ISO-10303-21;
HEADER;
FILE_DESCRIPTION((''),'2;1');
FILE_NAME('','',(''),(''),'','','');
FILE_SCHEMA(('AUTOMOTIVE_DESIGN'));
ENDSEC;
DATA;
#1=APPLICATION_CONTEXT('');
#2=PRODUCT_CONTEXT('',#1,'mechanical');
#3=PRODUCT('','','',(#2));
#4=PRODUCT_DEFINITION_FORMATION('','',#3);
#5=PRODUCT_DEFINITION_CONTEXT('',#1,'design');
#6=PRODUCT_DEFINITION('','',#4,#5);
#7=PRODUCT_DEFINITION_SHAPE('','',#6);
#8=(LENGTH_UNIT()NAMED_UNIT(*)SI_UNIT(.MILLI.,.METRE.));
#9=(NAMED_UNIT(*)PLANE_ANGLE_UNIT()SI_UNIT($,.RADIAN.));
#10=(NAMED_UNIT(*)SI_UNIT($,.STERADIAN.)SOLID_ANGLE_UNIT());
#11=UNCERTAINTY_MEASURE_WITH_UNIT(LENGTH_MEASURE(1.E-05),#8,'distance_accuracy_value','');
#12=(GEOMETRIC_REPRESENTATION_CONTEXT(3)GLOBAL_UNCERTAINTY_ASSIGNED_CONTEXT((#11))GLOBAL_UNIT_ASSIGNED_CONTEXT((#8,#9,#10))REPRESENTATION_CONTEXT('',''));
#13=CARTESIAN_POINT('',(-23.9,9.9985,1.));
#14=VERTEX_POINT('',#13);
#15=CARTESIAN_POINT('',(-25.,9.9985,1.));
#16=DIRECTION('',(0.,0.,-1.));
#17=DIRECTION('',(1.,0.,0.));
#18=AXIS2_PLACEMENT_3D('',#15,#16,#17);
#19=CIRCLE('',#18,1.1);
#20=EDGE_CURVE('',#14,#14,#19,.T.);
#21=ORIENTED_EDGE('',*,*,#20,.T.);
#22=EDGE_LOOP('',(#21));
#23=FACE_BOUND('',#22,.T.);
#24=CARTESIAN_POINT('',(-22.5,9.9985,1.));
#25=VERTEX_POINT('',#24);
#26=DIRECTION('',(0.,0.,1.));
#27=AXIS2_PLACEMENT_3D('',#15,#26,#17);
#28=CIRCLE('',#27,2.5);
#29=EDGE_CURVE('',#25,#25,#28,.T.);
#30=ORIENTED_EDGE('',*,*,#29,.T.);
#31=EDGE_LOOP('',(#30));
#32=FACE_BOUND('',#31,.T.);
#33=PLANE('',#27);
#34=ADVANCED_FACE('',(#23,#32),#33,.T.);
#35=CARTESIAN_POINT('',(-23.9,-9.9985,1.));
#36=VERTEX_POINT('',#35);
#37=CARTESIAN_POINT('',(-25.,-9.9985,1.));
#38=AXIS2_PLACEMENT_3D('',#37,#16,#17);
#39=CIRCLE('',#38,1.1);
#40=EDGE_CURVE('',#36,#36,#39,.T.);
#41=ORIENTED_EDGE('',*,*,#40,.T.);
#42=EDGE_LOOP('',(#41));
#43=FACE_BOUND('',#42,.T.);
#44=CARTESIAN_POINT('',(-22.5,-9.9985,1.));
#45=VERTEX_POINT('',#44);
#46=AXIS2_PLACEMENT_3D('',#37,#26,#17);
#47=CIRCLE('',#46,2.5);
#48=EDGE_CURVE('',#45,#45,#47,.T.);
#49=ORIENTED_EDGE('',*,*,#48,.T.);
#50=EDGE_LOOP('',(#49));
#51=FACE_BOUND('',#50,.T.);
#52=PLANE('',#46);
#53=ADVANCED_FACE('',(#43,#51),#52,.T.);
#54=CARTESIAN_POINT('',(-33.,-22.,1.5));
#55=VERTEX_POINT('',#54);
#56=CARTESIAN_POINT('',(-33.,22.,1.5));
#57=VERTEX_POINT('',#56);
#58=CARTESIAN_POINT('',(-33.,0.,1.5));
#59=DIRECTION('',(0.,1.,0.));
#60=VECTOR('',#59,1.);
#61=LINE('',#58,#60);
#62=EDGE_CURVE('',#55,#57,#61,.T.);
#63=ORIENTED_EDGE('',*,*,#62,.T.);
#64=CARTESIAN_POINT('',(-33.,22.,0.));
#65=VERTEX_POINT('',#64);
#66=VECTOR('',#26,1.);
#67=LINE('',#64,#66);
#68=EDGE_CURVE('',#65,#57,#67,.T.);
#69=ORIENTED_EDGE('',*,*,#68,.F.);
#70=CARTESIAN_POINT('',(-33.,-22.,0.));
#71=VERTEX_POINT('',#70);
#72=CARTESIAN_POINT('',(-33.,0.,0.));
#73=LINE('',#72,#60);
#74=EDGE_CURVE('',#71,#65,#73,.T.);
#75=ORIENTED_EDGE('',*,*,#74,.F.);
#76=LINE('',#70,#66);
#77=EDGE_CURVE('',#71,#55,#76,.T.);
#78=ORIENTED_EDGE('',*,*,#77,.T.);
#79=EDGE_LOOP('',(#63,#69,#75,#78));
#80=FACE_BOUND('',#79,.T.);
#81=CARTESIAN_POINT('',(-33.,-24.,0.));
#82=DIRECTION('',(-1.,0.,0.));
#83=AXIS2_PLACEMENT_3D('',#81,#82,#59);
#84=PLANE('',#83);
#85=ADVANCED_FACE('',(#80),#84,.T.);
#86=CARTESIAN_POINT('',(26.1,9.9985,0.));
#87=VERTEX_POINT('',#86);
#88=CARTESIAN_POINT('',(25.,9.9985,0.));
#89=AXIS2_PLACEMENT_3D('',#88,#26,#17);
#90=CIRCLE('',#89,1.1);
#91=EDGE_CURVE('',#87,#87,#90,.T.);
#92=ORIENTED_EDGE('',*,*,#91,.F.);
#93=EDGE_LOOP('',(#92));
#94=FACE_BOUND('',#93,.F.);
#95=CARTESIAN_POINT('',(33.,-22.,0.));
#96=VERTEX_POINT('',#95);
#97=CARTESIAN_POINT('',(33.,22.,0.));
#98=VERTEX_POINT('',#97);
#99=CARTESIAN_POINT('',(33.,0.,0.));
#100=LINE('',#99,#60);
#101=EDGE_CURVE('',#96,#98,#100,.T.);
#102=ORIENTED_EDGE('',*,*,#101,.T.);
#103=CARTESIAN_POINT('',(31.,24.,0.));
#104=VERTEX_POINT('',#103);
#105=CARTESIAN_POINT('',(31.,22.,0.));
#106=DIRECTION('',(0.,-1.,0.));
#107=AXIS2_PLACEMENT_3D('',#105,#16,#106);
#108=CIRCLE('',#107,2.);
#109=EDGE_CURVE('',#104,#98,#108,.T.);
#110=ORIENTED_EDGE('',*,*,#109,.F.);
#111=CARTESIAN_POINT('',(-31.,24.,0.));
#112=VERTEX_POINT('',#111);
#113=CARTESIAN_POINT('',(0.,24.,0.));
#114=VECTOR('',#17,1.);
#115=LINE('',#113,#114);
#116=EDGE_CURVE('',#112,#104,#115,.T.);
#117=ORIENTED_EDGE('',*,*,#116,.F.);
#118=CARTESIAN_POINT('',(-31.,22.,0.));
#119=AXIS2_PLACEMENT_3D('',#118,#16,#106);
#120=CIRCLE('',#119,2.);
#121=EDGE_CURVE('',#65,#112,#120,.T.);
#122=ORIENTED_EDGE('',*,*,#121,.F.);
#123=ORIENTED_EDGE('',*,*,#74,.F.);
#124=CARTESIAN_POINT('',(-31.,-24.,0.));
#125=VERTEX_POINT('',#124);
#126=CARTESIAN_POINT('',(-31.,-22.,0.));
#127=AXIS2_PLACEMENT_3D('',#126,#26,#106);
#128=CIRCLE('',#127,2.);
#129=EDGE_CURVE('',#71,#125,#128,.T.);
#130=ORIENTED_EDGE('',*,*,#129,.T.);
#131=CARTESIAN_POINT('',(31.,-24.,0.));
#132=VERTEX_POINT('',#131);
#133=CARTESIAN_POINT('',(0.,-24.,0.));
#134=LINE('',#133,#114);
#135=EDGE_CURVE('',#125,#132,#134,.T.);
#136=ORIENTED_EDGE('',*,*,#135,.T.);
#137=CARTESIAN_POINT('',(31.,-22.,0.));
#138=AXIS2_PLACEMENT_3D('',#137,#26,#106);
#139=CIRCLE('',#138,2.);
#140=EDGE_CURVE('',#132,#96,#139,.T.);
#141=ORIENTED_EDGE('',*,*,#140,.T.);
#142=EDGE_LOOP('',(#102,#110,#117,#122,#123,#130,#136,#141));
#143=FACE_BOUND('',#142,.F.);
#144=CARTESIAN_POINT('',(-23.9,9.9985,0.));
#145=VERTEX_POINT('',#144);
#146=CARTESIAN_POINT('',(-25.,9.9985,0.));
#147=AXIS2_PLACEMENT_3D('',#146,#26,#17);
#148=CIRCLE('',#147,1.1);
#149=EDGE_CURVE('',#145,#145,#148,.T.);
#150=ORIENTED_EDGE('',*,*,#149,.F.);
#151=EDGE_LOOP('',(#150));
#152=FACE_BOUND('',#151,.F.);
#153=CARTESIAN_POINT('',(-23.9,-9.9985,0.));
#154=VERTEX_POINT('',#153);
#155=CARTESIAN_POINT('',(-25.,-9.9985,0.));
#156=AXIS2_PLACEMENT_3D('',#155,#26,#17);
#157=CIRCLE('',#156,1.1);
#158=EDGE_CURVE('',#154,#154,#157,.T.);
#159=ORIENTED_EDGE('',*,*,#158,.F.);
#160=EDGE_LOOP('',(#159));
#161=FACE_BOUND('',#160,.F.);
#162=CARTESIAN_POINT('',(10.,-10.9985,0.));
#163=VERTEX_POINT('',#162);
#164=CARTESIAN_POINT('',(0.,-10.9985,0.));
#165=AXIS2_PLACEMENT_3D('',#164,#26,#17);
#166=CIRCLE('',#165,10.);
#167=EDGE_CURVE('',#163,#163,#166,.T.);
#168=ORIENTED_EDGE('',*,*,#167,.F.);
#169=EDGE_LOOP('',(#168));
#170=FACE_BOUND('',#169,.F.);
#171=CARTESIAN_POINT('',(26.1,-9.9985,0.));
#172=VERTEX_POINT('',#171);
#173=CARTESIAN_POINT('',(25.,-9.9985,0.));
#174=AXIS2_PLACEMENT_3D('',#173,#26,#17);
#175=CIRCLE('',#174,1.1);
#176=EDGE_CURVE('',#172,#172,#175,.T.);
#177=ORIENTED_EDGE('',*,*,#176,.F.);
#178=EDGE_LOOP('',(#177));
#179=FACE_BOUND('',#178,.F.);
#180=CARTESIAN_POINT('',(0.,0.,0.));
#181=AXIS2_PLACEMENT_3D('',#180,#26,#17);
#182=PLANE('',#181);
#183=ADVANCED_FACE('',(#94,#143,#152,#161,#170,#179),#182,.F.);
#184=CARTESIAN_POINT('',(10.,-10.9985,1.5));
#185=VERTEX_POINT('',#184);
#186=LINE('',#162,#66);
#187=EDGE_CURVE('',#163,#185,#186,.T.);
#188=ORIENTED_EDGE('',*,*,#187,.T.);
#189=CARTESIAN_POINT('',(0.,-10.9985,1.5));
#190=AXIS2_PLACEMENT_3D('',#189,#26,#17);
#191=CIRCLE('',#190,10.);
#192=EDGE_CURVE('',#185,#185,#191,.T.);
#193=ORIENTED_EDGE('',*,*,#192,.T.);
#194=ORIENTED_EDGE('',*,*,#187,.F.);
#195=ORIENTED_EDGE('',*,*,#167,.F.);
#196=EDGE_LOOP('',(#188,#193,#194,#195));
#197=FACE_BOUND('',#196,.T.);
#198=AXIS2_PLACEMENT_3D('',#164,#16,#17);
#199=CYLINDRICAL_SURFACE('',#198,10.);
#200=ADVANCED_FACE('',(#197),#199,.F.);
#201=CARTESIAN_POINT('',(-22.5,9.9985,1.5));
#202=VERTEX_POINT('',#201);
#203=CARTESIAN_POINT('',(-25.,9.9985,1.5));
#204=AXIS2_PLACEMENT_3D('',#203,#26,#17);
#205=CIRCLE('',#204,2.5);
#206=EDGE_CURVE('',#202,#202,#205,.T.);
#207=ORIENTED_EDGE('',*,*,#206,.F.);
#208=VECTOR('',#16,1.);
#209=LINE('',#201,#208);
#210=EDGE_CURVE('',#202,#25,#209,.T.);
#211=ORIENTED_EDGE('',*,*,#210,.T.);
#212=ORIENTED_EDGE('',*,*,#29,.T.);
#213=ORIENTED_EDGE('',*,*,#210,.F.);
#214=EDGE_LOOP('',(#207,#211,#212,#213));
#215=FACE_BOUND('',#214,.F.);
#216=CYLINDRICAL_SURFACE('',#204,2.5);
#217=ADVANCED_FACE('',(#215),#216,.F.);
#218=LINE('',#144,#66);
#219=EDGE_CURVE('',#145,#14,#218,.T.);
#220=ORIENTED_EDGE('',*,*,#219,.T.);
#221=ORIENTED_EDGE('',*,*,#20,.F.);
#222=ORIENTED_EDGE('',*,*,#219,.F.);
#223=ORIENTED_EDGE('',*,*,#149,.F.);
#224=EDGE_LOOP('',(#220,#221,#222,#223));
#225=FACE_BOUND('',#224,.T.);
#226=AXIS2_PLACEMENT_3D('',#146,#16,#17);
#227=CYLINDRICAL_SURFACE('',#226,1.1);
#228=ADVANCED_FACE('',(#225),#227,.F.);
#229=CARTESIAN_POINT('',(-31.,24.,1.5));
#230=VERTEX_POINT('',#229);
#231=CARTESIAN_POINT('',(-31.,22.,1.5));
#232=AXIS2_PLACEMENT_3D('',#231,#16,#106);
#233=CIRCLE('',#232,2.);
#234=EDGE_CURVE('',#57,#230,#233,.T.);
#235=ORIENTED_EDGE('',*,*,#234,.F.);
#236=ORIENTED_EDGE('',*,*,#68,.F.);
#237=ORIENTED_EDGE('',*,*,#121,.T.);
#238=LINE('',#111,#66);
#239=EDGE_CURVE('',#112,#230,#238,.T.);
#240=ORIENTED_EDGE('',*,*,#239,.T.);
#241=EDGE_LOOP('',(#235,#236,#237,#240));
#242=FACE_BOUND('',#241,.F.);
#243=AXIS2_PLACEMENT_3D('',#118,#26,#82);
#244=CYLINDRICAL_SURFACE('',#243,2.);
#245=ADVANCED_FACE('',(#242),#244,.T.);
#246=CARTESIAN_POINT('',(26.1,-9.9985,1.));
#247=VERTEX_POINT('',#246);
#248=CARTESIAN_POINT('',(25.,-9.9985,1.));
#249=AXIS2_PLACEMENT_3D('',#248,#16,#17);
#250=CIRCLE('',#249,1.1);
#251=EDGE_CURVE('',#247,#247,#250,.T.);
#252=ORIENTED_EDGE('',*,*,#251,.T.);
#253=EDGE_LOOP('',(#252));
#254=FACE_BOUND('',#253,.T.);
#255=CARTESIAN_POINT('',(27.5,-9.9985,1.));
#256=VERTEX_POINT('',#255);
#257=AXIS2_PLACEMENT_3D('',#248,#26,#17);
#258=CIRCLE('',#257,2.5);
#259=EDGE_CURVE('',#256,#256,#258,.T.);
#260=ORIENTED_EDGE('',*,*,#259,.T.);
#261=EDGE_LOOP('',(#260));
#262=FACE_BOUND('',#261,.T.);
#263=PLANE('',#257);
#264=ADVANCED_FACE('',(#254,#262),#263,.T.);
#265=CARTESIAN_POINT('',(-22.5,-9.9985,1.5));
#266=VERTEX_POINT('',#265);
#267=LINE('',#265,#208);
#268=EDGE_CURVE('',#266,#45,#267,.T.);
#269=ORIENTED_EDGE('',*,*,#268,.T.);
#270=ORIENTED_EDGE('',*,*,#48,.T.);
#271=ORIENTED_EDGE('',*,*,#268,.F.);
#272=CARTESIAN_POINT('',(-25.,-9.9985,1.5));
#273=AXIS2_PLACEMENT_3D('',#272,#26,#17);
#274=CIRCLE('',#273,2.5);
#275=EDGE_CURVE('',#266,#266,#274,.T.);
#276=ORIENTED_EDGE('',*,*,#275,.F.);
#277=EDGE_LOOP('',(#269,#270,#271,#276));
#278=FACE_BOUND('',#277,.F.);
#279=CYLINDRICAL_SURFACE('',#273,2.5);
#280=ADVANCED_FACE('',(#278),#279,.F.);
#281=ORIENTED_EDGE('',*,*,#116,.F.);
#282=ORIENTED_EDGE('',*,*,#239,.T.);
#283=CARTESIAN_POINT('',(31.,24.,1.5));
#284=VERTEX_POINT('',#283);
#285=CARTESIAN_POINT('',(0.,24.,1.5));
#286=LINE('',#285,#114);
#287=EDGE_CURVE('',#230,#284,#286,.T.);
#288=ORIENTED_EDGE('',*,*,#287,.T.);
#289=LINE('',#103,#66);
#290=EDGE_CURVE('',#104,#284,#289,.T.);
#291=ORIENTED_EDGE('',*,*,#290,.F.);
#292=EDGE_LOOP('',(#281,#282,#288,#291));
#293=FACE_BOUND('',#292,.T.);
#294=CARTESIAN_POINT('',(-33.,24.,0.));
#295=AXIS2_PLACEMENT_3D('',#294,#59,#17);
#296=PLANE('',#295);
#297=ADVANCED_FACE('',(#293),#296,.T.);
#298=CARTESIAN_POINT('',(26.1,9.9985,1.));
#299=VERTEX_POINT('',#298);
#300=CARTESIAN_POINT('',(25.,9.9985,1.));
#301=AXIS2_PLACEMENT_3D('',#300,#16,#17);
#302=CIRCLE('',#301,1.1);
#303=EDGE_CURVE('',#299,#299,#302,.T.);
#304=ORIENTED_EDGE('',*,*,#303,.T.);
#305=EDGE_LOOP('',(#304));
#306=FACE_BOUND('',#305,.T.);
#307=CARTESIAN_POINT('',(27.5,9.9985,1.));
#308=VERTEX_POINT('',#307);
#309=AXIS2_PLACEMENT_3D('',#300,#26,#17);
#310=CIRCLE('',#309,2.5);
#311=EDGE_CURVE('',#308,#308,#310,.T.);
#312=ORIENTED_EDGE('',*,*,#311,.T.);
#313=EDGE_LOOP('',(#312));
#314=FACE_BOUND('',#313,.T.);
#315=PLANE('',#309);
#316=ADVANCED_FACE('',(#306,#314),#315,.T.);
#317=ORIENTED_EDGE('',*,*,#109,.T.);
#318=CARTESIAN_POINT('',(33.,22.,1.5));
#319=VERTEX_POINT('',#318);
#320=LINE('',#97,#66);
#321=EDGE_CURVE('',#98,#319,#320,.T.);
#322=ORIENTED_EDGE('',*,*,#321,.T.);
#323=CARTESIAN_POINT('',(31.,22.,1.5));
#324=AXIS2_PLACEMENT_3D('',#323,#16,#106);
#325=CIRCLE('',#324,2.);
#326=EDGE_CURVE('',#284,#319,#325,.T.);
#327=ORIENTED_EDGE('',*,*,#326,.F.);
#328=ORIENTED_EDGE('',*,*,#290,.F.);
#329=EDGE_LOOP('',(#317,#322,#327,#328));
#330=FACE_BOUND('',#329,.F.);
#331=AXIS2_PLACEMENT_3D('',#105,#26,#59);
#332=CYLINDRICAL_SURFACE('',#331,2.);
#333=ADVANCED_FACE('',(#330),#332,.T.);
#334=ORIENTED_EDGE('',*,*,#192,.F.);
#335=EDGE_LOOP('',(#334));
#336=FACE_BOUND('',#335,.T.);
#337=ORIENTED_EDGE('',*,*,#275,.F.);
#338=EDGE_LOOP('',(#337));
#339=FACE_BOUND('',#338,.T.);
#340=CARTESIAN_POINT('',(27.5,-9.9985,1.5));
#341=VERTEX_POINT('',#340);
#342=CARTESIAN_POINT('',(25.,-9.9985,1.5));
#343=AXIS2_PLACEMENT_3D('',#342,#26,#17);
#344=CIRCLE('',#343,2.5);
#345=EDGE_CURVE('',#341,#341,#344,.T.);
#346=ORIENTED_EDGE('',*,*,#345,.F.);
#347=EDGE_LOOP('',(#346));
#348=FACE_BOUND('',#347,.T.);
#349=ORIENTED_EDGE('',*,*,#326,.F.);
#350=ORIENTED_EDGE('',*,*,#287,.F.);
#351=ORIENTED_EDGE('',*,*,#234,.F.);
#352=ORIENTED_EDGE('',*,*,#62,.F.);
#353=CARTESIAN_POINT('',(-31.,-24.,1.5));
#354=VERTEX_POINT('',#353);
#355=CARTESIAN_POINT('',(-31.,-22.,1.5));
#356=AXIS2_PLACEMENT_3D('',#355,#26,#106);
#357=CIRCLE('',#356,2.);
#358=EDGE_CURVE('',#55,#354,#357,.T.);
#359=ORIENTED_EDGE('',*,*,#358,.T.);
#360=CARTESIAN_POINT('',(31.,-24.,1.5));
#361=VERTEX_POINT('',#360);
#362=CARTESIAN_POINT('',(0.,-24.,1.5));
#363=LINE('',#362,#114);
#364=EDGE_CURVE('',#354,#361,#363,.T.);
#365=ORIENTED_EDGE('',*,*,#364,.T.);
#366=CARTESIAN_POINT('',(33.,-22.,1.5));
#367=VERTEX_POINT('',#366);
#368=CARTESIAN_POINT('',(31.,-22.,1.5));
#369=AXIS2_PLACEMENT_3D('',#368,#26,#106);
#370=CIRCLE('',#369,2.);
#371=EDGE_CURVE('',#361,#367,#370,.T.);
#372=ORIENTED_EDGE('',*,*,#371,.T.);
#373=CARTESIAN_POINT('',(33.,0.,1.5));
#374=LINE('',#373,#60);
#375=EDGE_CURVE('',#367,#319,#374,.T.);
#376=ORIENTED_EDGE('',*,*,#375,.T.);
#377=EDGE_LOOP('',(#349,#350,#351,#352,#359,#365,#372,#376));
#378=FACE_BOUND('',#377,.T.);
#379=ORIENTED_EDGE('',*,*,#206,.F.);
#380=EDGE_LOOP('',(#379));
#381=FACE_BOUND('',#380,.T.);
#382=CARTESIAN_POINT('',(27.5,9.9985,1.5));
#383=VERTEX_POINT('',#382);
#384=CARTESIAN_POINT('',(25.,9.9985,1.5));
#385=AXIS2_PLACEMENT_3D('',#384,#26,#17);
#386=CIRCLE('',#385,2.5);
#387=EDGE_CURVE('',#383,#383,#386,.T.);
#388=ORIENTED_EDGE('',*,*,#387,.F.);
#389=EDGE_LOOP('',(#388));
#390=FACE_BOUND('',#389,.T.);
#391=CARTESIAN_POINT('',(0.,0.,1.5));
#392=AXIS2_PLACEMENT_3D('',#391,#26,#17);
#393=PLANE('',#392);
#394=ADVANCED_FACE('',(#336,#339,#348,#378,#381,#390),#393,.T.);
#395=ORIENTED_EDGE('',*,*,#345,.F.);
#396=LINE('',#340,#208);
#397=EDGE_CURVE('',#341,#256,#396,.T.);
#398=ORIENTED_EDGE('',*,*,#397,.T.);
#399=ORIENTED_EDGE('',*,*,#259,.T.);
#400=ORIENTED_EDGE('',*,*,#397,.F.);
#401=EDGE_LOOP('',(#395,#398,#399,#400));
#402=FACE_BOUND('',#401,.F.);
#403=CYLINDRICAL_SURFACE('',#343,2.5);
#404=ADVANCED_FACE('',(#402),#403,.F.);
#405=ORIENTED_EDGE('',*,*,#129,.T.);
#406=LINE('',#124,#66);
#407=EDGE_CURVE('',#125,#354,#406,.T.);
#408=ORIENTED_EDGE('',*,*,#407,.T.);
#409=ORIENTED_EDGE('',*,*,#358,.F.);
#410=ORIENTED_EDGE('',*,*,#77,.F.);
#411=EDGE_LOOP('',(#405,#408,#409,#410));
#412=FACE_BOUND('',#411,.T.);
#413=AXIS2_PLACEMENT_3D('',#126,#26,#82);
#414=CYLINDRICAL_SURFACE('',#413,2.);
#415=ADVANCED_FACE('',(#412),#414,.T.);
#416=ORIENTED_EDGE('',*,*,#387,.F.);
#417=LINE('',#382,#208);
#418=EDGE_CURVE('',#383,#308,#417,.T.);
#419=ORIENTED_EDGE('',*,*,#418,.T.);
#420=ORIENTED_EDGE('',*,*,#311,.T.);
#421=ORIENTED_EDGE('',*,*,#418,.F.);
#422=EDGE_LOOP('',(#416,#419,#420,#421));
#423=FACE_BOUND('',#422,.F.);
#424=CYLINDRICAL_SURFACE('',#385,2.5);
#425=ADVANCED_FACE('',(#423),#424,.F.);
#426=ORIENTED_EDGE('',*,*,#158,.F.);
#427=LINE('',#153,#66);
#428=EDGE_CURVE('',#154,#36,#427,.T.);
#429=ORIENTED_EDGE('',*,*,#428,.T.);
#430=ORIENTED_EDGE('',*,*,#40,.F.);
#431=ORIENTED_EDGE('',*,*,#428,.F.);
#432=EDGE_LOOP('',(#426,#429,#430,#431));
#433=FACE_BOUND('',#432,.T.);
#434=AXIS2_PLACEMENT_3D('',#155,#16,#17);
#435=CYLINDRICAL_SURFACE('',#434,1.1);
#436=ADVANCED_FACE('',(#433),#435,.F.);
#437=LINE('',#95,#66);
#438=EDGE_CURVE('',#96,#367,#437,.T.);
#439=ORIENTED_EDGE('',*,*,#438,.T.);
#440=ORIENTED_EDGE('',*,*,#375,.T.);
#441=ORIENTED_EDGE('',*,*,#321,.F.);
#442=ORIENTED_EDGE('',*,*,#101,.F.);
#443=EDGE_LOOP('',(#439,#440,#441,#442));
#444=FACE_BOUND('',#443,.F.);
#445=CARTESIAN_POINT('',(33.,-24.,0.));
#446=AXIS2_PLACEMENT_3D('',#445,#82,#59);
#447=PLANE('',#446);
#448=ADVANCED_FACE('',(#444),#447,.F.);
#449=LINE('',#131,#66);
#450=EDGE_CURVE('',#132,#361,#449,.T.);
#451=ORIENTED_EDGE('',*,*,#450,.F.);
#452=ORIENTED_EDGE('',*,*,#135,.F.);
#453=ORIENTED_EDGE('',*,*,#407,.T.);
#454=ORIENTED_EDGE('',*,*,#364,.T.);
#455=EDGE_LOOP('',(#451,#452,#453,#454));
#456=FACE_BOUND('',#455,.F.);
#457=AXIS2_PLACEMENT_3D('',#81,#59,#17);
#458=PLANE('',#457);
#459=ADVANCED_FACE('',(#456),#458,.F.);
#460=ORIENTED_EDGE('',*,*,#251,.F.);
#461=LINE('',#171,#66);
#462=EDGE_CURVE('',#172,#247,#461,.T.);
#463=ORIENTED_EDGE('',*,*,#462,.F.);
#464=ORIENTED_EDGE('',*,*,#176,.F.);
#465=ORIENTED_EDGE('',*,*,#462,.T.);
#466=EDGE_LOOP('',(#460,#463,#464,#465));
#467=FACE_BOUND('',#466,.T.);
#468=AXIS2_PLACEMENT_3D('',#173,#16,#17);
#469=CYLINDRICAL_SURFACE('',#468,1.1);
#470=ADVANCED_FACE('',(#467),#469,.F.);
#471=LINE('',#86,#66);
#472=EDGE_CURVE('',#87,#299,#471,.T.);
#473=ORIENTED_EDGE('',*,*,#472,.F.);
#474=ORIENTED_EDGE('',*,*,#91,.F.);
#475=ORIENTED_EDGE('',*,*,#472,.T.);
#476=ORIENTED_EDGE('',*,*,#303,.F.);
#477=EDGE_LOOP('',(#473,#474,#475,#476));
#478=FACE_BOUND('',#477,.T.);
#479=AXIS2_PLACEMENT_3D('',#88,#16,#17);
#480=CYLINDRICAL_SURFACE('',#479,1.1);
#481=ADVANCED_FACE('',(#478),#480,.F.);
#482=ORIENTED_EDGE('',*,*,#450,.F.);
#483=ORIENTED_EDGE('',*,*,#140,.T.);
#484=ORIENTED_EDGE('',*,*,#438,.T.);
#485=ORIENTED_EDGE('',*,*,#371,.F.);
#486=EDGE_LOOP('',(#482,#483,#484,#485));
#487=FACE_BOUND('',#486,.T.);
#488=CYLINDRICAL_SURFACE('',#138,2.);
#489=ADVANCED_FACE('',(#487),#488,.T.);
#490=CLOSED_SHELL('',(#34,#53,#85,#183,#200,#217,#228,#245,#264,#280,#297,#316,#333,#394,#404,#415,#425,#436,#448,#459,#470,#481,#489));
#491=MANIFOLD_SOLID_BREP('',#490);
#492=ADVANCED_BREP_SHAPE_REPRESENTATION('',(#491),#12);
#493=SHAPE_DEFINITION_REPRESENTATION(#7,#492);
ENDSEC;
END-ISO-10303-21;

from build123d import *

# Parameters (mm, degrees)
F0_W     = 66
F0_H     = 48
F0_R     = 1.1
F0_R_2   = 10
F1_DEPTH = 1.5
F2_R     = 2
F3_R     = 2.5
F4_DEPTH = 0.5


with BuildPart() as f1:
    # F0 (on Top) → F1 (new body)
    with BuildSketch(Plane.XY):
        Rectangle(F0_W, F0_H)
        with Locations((-25, -9.9985)):
            Circle(F0_R, mode=Mode.SUBTRACT)
        with Locations((0, -10.9985)):
            Circle(F0_R_2, mode=Mode.SUBTRACT)
        with Locations((25, -9.9985)):
            Circle(F0_R, mode=Mode.SUBTRACT)
        with Locations((-25, 9.9985)):
            Circle(F0_R, mode=Mode.SUBTRACT)
        with Locations((25, 9.9985)):
            Circle(F0_R, mode=Mode.SUBTRACT)
    extrude(amount=F1_DEPTH)

    # F2
    f2_edges = [f1.edges().sort_by_distance(p)[0] for p in [
        (-33, -24, 0.75),
        (33, -24, 0.75),
        (-33, 24, 0.75),
        (33, 24, 0.75),
    ]]
    fillet(f2_edges, radius=F2_R)

    # F3 (on face) → F4 (cut)
    with BuildSketch(Plane.XY.offset(1.5)):
        with Locations((-25, 9.9985)):
            Circle(F3_R)
        with Locations((25, 9.9985)):
            Circle(F3_R)
        with Locations((-25, -9.9985)):
            Circle(F3_R)
        with Locations((25, -9.9985)):
            Circle(F3_R)
    extrude(amount=-F4_DEPTH, mode=Mode.SUBTRACT)


solid = f1.part
